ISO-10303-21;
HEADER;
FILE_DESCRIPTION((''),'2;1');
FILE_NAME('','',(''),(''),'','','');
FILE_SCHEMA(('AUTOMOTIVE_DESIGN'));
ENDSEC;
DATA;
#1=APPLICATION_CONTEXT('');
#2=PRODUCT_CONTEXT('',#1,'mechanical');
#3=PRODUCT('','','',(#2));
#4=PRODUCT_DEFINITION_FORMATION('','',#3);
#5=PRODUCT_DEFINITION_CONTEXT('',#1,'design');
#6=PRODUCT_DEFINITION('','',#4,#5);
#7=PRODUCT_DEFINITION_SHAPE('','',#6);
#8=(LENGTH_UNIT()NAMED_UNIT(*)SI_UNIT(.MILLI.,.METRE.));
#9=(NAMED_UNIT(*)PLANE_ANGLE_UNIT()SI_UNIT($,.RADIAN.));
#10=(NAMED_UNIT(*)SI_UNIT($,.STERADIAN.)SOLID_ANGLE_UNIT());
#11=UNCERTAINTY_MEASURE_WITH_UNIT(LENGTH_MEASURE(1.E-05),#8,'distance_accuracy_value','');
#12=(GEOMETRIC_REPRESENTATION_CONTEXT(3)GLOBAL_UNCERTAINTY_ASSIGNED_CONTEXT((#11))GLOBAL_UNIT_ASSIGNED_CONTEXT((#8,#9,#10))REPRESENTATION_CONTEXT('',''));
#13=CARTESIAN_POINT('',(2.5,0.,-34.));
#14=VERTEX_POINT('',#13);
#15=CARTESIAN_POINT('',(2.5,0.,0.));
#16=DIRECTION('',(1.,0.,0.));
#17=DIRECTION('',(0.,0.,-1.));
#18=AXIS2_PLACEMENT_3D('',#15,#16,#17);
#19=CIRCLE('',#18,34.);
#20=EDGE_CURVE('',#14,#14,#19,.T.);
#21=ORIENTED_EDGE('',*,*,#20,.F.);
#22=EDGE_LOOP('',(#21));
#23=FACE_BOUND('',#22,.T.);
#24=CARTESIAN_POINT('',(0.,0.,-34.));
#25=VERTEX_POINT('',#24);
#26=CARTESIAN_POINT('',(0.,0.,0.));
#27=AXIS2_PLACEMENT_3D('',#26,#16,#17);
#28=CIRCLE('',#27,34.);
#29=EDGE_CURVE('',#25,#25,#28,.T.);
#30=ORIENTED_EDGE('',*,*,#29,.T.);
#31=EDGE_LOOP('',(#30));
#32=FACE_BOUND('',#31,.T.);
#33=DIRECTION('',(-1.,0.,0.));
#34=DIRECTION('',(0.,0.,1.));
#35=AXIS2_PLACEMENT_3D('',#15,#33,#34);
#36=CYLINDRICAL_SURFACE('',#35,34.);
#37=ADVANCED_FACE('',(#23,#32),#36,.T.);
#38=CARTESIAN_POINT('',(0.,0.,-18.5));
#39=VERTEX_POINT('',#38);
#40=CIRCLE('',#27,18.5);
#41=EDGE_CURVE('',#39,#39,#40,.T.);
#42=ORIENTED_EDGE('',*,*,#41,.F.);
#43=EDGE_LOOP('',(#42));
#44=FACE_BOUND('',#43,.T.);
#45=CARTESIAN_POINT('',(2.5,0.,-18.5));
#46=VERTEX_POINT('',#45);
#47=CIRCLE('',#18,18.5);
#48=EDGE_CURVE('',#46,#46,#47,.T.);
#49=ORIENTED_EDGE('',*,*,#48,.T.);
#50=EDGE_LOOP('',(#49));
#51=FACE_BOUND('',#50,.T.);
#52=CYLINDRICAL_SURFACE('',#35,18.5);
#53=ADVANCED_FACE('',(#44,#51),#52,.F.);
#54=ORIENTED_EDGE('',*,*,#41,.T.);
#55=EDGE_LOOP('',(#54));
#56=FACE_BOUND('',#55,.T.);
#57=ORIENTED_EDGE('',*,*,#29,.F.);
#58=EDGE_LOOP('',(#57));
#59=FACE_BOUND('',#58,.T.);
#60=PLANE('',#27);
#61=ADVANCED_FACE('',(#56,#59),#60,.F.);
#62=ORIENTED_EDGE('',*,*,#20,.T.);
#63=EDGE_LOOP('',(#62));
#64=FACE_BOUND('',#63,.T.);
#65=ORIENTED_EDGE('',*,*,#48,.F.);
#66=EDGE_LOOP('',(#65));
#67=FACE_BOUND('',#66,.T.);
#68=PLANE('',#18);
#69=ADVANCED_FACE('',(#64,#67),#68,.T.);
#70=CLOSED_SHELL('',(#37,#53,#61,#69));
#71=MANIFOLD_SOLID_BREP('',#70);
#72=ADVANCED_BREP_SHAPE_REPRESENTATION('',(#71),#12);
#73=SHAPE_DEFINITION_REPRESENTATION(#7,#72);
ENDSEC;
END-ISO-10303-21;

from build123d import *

# Parameters (mm, degrees)
SKETCH1_R          = 34
SKETCH1_R_2        = 18.5
BASE_EXTRUDE_DEPTH = 2.5


with BuildPart() as part:
    # Sketch1 → Base-Extrude (new body)
    with BuildSketch(Plane(origin=(0, 0, 0), x_dir=(0, 0, -1), z_dir=(1, 0, 0))):
        Circle(SKETCH1_R)
        Circle(SKETCH1_R_2, mode=Mode.SUBTRACT)
    extrude(amount=BASE_EXTRUDE_DEPTH)


solid = part.part
